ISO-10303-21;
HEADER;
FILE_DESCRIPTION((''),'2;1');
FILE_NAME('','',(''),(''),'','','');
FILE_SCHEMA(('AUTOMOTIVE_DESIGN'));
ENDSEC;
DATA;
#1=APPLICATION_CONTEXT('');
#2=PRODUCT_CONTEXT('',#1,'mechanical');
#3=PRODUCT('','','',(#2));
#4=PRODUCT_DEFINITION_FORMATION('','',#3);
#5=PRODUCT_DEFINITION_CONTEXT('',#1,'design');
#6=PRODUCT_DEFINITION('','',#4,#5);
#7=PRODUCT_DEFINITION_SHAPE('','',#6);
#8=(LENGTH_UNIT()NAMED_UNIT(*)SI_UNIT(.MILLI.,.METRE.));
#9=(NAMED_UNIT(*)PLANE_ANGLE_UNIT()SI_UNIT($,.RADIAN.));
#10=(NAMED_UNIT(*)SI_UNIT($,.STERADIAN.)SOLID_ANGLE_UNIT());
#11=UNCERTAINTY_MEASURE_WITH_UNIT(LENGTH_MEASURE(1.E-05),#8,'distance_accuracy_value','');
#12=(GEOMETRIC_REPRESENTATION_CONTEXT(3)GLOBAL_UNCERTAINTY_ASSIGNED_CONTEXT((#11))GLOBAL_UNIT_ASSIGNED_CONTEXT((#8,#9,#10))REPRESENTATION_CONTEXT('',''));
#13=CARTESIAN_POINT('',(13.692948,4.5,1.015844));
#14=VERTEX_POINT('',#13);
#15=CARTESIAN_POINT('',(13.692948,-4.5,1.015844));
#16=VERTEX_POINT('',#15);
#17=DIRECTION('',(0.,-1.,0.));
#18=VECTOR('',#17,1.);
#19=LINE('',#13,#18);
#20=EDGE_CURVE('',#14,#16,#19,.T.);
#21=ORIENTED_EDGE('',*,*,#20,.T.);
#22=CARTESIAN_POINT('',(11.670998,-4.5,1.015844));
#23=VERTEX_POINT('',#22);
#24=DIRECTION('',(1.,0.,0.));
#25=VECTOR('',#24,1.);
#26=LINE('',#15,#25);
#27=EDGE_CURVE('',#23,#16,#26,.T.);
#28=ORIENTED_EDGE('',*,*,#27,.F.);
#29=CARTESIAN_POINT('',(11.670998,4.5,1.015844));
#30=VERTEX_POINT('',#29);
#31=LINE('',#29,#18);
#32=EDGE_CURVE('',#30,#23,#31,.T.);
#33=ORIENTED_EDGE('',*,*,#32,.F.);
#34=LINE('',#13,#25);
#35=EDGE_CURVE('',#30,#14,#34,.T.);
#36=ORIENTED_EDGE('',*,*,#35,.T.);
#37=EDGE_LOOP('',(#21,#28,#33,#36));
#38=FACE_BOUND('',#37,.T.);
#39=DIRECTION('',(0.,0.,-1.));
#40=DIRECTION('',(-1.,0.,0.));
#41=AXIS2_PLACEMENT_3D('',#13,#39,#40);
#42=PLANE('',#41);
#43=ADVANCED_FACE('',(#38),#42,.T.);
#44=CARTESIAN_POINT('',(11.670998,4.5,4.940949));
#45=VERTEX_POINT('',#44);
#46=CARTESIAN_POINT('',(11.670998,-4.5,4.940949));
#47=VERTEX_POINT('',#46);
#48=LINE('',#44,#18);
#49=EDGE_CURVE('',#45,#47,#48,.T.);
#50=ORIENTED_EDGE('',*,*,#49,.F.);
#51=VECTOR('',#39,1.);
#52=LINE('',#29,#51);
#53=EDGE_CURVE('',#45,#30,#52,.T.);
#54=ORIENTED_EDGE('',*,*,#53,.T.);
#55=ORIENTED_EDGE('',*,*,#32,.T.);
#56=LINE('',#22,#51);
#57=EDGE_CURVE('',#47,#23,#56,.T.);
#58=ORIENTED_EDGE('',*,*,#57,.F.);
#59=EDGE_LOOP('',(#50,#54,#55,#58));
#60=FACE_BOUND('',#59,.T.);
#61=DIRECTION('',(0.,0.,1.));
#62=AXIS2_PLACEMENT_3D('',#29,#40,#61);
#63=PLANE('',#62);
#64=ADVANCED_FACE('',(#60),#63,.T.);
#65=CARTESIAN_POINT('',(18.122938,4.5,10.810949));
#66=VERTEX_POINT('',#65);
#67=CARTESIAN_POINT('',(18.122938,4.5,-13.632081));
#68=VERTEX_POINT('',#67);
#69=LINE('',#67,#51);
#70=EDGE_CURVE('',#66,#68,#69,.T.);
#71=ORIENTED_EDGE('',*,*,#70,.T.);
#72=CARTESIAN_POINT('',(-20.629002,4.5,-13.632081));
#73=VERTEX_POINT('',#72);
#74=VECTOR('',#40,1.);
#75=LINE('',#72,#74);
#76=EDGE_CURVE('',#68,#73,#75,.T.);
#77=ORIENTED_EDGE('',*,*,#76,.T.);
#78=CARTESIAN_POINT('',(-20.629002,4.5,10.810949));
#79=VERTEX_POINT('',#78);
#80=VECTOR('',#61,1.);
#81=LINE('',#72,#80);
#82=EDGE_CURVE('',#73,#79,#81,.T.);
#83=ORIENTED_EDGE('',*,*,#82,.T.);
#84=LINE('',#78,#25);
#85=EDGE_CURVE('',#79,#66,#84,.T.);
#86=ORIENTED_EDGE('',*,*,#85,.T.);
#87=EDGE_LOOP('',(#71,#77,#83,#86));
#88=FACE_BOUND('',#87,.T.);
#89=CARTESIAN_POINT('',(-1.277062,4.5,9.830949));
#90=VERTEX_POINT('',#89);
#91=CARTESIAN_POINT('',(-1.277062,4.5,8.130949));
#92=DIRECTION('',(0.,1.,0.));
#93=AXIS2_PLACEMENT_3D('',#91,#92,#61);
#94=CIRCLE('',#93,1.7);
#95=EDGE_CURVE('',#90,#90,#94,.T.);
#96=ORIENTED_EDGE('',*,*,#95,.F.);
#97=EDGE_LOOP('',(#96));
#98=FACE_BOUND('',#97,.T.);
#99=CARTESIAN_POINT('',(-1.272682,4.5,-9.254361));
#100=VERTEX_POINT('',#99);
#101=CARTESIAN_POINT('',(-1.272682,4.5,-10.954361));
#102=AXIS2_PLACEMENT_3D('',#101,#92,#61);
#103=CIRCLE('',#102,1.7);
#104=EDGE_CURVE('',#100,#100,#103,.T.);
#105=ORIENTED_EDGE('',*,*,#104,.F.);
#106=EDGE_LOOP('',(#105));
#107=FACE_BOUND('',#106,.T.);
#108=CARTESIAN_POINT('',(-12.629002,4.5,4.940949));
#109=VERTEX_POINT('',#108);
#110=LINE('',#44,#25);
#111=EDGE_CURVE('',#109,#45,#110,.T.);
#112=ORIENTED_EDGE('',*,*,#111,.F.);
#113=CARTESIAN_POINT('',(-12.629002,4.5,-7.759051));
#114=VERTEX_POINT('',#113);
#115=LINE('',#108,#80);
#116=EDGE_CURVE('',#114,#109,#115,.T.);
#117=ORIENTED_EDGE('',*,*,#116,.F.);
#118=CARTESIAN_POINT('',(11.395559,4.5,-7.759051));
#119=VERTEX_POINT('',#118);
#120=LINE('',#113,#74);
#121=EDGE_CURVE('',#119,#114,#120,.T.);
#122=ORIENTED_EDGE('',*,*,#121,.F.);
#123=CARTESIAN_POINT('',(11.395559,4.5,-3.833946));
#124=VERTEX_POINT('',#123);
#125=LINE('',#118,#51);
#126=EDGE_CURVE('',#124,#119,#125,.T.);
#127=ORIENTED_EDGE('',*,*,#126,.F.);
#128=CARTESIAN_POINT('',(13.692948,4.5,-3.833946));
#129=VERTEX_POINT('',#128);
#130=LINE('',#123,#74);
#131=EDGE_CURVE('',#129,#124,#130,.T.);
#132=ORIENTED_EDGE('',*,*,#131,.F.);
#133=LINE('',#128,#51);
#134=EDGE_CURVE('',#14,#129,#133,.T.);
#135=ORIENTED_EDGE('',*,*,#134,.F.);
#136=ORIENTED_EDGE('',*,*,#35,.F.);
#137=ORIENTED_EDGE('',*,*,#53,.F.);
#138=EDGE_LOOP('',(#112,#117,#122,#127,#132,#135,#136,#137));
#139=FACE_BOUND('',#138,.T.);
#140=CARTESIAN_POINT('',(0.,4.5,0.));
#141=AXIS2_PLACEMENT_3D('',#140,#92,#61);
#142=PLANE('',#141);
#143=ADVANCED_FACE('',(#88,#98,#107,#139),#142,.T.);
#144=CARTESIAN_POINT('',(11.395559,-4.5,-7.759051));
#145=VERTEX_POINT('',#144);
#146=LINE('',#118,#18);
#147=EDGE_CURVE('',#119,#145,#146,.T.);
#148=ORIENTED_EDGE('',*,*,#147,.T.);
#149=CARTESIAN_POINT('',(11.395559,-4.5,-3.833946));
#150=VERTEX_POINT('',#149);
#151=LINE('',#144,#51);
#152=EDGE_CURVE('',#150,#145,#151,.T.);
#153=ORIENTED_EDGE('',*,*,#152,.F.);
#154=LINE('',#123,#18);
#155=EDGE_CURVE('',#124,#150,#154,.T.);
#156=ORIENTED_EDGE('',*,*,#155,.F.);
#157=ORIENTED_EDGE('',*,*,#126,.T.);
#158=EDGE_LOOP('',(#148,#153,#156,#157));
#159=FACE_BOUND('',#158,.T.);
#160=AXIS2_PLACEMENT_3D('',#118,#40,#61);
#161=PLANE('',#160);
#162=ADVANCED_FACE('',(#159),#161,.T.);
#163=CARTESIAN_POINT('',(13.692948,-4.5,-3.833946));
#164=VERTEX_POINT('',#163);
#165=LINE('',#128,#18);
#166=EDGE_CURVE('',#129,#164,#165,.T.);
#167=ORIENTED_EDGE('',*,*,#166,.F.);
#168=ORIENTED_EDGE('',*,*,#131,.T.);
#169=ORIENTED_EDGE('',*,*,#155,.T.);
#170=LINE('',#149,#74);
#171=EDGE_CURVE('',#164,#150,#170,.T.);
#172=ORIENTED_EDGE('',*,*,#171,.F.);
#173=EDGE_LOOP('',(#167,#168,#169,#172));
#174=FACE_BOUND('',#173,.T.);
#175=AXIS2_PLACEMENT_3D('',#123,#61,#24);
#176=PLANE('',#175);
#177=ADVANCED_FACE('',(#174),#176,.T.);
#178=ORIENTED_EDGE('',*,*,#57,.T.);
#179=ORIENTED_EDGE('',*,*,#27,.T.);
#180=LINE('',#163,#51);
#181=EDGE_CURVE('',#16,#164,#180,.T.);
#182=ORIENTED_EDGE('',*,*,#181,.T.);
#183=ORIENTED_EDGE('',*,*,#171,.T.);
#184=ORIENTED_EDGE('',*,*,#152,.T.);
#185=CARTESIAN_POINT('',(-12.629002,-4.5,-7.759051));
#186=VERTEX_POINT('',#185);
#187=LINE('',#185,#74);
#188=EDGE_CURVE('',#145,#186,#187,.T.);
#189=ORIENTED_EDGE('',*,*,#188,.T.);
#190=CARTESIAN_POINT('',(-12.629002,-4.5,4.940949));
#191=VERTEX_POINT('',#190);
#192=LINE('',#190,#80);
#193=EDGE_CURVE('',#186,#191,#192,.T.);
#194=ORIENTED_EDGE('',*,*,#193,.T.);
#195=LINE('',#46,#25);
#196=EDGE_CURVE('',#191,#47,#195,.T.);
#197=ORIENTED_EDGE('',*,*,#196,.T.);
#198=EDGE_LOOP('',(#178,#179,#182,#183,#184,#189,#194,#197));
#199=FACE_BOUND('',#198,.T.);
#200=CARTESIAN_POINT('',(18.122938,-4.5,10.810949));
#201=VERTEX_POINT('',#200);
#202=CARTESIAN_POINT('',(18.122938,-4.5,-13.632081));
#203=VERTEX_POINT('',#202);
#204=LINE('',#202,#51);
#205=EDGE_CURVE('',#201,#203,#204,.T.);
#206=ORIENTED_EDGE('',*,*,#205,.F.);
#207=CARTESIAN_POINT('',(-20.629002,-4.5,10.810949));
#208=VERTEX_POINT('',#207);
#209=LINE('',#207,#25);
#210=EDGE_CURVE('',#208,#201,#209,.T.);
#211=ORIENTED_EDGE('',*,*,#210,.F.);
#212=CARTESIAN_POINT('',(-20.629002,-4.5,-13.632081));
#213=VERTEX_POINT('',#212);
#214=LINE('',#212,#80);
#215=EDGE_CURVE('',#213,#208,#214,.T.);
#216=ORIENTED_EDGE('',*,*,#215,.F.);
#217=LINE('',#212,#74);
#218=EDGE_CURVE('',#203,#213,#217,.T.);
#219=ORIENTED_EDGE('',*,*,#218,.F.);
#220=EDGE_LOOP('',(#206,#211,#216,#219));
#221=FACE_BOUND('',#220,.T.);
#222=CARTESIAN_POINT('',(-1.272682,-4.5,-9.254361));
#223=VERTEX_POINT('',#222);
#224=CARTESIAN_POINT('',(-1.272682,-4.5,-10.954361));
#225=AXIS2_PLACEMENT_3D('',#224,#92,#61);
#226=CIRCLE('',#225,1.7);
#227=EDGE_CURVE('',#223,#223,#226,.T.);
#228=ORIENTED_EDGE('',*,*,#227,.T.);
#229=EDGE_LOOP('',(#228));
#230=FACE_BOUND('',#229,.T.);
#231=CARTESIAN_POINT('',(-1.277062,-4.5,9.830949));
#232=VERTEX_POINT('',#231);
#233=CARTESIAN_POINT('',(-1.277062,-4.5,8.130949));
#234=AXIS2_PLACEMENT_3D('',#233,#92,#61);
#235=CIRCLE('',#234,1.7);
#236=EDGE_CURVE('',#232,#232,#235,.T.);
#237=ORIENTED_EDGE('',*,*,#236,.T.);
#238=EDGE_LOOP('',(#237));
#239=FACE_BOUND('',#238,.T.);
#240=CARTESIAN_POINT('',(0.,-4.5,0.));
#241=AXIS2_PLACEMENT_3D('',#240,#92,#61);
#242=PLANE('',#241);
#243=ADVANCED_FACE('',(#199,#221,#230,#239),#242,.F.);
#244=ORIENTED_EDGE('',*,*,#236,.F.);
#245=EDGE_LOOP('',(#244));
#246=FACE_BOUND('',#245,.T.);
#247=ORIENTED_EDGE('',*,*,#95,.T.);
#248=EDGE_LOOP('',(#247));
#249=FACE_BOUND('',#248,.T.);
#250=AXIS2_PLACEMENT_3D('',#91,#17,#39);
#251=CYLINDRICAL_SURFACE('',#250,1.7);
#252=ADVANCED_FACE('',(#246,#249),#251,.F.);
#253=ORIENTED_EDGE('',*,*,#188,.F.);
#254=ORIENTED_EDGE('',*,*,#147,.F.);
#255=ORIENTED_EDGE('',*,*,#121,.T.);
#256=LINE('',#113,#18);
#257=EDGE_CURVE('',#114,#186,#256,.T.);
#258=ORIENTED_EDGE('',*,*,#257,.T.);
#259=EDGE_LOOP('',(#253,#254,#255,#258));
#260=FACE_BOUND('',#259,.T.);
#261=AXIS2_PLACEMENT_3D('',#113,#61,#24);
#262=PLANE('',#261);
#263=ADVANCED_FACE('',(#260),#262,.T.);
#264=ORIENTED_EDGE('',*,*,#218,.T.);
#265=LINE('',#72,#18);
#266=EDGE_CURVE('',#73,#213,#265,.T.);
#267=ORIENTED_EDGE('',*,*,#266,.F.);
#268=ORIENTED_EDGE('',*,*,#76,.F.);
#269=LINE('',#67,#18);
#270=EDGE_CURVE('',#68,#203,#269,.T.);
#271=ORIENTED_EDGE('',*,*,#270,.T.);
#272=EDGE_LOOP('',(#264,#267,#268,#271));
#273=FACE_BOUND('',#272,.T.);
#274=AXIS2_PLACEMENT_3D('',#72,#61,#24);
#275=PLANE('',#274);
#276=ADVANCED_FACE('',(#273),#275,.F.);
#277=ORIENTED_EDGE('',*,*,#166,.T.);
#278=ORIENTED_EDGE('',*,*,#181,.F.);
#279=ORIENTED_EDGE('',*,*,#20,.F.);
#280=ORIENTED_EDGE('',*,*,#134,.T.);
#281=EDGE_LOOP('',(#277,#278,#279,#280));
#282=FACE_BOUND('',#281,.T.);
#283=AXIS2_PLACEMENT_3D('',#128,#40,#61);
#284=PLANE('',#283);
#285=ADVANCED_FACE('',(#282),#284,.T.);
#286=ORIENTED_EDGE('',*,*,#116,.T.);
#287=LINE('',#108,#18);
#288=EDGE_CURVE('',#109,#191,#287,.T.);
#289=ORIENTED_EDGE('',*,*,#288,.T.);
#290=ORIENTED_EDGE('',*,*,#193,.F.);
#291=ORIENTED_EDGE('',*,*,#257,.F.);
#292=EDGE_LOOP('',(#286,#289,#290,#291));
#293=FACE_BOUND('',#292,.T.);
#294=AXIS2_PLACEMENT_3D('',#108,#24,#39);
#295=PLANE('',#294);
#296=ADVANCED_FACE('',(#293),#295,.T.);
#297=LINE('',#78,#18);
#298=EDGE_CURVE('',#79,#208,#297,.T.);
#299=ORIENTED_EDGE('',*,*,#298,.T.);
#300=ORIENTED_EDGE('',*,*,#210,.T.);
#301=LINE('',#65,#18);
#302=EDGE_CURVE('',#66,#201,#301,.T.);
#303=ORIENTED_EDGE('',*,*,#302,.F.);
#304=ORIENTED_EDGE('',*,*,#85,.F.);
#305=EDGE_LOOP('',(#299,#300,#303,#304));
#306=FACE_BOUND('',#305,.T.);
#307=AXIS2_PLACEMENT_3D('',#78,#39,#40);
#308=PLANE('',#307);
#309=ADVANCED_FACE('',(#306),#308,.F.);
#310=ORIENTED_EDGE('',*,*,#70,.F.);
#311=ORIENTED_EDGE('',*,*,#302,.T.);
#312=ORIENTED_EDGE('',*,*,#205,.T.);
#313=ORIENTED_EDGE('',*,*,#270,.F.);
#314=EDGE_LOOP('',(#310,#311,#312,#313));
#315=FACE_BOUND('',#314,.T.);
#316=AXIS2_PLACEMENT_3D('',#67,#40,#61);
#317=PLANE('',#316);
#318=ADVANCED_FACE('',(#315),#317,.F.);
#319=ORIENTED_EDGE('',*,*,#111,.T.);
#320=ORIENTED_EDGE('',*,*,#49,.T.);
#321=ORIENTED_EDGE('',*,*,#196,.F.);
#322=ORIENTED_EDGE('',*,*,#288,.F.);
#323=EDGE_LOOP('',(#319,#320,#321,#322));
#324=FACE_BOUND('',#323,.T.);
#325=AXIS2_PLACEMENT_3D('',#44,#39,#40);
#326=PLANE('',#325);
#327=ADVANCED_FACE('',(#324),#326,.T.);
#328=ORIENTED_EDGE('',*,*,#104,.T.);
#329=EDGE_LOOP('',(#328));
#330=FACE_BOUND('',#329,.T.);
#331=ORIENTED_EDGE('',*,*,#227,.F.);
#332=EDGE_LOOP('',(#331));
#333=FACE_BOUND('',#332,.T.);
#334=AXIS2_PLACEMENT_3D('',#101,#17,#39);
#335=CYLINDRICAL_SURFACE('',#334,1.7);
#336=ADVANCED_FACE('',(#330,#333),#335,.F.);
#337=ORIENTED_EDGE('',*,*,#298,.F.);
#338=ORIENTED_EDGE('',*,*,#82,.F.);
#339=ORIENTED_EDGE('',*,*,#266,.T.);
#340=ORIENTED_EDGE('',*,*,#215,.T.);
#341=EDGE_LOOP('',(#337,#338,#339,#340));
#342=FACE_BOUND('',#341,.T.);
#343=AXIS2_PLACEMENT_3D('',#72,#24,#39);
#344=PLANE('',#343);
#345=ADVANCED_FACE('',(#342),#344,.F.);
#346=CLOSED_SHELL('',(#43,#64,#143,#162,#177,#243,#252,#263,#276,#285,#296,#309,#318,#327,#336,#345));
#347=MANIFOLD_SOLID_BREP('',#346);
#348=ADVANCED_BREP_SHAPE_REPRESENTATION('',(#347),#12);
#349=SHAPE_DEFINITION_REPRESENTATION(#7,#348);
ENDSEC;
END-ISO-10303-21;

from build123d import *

# Parameters (mm, degrees)
SKETCH2_W           = 38.75194
SKETCH2_H           = 24.44303
SKETCH2_R           = 1.7
BOSS_EXTRUDE1_DEPTH = 4.5


with BuildPart() as part:
    # Sketch2 → Boss-Extrude1 (new, symmetric)
    with BuildSketch(Plane(origin=(0, 0, 0), x_dir=(1, 0, 0), z_dir=(0, 1, 0))):
        with Locations((-1.253031638, 1.410566346)):
            Rectangle(SKETCH2_W, SKETCH2_H)
        with Locations(Location((-1.272682118, 10.954361346, 0), (0, 0, 270))):
            Circle(SKETCH2_R, mode=Mode.SUBTRACT)
        with Locations(Location((-1.277061638, -8.130948654, 0), (0, 0, 270))):
            Circle(SKETCH2_R, mode=Mode.SUBTRACT)
        Polygon((-12.629001638, 7.759051346), (11.395558827, 7.759051346), (11.395558827, 3.833946346), (13.692948362, 3.833946346), (13.692948362, -1.015843654), (11.670998362, -1.015843654), (11.670998362, -4.940948654), (-12.629001638, -4.940948654), align=None, mode=Mode.SUBTRACT)
    extrude(amount=BOSS_EXTRUDE1_DEPTH, both=True)


solid = part.part
